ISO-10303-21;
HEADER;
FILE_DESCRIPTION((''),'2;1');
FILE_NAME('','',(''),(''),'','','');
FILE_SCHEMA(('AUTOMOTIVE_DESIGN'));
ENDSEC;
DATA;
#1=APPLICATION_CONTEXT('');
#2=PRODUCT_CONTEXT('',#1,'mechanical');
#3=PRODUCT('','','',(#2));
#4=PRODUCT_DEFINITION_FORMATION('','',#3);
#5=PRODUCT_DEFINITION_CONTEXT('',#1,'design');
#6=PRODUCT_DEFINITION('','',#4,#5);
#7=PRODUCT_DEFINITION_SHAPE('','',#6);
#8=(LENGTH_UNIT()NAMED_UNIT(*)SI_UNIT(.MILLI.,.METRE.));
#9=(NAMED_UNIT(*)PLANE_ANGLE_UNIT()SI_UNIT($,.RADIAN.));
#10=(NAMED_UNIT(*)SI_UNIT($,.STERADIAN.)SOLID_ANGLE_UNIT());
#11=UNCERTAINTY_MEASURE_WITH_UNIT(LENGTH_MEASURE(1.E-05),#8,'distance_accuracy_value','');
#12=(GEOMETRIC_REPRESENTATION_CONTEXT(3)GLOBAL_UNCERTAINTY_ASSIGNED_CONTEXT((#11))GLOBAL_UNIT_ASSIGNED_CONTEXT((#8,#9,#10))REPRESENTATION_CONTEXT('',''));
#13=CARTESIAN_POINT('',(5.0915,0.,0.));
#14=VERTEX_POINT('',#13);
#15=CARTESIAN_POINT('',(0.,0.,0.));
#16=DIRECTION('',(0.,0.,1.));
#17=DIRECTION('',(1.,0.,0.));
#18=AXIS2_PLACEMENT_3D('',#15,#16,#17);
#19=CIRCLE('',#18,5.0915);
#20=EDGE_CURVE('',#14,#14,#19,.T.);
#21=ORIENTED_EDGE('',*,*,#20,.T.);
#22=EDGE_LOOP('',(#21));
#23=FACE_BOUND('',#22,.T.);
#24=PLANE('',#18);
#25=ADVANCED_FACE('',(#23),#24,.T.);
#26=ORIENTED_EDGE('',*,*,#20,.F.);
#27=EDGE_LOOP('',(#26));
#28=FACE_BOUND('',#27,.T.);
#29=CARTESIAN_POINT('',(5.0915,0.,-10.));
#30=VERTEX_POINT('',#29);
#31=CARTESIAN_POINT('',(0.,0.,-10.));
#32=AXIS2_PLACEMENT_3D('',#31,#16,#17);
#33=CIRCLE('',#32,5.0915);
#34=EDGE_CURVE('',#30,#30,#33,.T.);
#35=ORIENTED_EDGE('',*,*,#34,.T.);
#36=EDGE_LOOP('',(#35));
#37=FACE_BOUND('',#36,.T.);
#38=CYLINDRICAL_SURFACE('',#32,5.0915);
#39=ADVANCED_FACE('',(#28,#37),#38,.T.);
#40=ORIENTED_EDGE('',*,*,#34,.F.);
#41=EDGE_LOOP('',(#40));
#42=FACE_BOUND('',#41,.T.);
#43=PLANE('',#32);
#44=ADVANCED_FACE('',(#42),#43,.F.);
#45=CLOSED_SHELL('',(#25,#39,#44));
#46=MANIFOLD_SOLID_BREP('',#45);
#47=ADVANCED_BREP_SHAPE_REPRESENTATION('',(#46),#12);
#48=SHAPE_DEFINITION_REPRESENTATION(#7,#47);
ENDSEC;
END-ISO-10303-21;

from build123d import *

# Parameters (mm, degrees)
ESQUISSE1_R          = 5.0915
BASE_EXTRUSION_DEPTH = 10


with BuildPart() as part:
    # Esquisse1 → Base-Extrusion (new body)
    with BuildSketch(Plane.XY):
        Circle(ESQUISSE1_R)
    extrude(amount=-BASE_EXTRUSION_DEPTH)


solid = part.part
